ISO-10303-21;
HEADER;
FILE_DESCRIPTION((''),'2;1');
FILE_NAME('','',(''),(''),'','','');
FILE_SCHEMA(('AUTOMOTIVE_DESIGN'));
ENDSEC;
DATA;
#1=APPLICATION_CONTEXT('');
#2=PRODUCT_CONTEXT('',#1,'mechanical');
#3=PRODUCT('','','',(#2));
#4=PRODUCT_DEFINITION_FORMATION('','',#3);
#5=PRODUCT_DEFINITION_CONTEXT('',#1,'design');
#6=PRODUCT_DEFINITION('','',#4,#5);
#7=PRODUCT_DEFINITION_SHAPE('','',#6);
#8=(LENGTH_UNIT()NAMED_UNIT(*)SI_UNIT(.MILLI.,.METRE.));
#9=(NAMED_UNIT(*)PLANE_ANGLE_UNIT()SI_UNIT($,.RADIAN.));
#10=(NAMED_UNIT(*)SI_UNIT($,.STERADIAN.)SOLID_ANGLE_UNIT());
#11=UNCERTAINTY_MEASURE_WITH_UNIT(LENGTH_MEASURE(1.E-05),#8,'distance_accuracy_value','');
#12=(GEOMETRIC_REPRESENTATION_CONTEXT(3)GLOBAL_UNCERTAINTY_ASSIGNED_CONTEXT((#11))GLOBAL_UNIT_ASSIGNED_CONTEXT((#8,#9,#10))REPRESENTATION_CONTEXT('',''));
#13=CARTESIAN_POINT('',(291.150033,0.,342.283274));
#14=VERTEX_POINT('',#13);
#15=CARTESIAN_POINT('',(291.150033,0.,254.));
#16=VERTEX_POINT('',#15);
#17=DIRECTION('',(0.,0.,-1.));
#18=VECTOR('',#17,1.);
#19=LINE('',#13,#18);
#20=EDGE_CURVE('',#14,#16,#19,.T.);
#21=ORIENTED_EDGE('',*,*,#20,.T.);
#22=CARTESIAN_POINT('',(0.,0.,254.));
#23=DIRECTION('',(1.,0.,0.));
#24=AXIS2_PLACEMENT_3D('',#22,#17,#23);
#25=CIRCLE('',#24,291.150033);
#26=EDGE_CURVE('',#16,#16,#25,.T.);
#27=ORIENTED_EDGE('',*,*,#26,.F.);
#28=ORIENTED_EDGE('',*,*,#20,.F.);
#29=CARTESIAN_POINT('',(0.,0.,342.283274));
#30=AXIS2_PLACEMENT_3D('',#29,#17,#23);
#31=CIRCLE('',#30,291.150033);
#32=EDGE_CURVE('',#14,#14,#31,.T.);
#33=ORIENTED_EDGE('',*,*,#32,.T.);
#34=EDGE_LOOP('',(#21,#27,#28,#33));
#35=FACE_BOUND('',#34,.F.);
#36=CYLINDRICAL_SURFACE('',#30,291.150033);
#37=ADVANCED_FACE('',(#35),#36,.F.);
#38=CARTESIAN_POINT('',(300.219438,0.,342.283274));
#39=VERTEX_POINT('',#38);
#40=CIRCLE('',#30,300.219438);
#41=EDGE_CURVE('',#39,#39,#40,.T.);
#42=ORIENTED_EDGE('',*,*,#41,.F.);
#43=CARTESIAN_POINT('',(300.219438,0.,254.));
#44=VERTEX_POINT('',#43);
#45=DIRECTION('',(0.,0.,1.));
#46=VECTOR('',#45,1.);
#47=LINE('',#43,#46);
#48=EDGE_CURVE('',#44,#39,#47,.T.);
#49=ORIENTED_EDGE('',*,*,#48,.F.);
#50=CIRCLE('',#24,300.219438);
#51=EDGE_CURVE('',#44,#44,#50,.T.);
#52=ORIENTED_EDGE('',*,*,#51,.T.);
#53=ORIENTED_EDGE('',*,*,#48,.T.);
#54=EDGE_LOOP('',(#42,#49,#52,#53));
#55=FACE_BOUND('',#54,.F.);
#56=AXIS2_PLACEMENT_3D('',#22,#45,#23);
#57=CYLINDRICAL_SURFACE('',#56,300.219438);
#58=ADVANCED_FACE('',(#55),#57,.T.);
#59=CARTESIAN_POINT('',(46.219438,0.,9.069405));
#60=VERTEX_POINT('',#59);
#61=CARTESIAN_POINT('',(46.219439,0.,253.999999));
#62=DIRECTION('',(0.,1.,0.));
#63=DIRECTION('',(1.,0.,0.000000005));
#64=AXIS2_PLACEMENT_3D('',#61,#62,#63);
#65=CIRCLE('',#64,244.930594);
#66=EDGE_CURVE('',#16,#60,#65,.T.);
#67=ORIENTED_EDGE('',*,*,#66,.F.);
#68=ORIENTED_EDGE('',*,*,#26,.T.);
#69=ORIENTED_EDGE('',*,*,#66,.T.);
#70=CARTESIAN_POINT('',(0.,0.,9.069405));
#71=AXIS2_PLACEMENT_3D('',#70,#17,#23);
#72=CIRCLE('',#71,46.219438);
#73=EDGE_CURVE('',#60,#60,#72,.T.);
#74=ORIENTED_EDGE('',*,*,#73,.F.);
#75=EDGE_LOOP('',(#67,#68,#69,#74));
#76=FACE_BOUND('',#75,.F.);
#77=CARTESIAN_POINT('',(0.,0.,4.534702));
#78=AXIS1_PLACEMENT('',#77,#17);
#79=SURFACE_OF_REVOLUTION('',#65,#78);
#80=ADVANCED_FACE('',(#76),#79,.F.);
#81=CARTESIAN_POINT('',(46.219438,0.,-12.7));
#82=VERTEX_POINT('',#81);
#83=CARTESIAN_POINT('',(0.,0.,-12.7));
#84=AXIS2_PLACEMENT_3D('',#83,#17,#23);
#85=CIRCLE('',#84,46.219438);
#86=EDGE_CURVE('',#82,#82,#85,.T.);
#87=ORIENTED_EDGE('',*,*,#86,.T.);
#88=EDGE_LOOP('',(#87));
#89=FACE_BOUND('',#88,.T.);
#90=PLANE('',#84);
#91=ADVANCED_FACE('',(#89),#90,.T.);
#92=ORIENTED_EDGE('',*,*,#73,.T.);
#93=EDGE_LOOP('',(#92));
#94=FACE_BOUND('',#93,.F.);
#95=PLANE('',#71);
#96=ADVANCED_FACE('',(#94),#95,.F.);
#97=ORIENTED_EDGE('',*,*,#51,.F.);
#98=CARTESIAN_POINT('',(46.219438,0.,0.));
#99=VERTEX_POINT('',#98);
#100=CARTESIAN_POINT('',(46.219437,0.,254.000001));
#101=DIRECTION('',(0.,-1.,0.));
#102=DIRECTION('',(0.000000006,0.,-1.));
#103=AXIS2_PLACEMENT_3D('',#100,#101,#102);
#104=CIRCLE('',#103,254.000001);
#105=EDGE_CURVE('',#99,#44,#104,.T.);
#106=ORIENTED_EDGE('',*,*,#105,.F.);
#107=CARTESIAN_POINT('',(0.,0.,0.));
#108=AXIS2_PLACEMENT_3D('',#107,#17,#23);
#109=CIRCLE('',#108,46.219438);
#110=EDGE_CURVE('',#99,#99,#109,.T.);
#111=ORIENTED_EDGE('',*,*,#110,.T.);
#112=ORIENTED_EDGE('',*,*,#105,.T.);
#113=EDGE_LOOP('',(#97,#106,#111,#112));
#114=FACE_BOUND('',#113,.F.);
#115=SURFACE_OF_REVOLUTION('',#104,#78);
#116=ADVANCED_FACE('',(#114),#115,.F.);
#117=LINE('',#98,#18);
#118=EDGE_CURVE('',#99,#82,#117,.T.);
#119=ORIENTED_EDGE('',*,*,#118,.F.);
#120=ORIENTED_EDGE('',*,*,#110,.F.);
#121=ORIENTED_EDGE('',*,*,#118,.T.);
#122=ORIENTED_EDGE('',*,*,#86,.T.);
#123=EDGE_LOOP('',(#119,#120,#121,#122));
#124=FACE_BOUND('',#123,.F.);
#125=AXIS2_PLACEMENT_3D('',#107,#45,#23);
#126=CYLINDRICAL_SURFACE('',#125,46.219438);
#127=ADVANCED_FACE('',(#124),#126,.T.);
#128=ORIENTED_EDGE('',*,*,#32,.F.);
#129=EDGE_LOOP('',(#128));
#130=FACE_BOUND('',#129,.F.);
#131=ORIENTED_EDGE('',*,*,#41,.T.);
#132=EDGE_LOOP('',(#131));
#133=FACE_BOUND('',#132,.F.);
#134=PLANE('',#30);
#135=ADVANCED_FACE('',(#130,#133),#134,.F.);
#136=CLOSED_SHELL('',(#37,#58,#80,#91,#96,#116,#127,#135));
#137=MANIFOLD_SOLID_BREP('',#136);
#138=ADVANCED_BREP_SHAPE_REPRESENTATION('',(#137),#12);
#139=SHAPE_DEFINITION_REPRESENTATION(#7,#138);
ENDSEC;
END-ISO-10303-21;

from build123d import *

# Parameters (mm, degrees)
F2_R     = 46.219438
F3_DEPTH = 12.7


with BuildPart() as f1:
    # F0 (on Front) → F1 (revolve)
    with BuildSketch(Plane.XZ):
        with BuildLine():
            Line((0, 9.069405), (0, 0))
            Line((0, 0), (46.219438, 0))
            ThreePointArc((46.219438, 0), (225.82456, 74.394878), (300.219438, 254))
            Line((300.219438, 254), (300.219438, 342.283274))
            Line((300.219438, 342.283274), (291.150033, 342.283274))
            Line((291.150033, 342.283274), (291.150033, 254))
            ThreePointArc((291.150033, 254), (219.411523, 80.807915), (46.219438, 9.069405))
            Line((46.219438, 9.069405), (0, 9.069405))
        make_face()
    revolve(axis=Axis((0, 0, 4.534702), (0, 0, -1)))

    # F2 (on face) → F3 (join)
    with BuildSketch(Plane(origin=(0, 0, 0), x_dir=(1, 0, 0), z_dir=(0, 0, -1))):
        Circle(F2_R)
    extrude(amount=F3_DEPTH)


solid = f1.part
